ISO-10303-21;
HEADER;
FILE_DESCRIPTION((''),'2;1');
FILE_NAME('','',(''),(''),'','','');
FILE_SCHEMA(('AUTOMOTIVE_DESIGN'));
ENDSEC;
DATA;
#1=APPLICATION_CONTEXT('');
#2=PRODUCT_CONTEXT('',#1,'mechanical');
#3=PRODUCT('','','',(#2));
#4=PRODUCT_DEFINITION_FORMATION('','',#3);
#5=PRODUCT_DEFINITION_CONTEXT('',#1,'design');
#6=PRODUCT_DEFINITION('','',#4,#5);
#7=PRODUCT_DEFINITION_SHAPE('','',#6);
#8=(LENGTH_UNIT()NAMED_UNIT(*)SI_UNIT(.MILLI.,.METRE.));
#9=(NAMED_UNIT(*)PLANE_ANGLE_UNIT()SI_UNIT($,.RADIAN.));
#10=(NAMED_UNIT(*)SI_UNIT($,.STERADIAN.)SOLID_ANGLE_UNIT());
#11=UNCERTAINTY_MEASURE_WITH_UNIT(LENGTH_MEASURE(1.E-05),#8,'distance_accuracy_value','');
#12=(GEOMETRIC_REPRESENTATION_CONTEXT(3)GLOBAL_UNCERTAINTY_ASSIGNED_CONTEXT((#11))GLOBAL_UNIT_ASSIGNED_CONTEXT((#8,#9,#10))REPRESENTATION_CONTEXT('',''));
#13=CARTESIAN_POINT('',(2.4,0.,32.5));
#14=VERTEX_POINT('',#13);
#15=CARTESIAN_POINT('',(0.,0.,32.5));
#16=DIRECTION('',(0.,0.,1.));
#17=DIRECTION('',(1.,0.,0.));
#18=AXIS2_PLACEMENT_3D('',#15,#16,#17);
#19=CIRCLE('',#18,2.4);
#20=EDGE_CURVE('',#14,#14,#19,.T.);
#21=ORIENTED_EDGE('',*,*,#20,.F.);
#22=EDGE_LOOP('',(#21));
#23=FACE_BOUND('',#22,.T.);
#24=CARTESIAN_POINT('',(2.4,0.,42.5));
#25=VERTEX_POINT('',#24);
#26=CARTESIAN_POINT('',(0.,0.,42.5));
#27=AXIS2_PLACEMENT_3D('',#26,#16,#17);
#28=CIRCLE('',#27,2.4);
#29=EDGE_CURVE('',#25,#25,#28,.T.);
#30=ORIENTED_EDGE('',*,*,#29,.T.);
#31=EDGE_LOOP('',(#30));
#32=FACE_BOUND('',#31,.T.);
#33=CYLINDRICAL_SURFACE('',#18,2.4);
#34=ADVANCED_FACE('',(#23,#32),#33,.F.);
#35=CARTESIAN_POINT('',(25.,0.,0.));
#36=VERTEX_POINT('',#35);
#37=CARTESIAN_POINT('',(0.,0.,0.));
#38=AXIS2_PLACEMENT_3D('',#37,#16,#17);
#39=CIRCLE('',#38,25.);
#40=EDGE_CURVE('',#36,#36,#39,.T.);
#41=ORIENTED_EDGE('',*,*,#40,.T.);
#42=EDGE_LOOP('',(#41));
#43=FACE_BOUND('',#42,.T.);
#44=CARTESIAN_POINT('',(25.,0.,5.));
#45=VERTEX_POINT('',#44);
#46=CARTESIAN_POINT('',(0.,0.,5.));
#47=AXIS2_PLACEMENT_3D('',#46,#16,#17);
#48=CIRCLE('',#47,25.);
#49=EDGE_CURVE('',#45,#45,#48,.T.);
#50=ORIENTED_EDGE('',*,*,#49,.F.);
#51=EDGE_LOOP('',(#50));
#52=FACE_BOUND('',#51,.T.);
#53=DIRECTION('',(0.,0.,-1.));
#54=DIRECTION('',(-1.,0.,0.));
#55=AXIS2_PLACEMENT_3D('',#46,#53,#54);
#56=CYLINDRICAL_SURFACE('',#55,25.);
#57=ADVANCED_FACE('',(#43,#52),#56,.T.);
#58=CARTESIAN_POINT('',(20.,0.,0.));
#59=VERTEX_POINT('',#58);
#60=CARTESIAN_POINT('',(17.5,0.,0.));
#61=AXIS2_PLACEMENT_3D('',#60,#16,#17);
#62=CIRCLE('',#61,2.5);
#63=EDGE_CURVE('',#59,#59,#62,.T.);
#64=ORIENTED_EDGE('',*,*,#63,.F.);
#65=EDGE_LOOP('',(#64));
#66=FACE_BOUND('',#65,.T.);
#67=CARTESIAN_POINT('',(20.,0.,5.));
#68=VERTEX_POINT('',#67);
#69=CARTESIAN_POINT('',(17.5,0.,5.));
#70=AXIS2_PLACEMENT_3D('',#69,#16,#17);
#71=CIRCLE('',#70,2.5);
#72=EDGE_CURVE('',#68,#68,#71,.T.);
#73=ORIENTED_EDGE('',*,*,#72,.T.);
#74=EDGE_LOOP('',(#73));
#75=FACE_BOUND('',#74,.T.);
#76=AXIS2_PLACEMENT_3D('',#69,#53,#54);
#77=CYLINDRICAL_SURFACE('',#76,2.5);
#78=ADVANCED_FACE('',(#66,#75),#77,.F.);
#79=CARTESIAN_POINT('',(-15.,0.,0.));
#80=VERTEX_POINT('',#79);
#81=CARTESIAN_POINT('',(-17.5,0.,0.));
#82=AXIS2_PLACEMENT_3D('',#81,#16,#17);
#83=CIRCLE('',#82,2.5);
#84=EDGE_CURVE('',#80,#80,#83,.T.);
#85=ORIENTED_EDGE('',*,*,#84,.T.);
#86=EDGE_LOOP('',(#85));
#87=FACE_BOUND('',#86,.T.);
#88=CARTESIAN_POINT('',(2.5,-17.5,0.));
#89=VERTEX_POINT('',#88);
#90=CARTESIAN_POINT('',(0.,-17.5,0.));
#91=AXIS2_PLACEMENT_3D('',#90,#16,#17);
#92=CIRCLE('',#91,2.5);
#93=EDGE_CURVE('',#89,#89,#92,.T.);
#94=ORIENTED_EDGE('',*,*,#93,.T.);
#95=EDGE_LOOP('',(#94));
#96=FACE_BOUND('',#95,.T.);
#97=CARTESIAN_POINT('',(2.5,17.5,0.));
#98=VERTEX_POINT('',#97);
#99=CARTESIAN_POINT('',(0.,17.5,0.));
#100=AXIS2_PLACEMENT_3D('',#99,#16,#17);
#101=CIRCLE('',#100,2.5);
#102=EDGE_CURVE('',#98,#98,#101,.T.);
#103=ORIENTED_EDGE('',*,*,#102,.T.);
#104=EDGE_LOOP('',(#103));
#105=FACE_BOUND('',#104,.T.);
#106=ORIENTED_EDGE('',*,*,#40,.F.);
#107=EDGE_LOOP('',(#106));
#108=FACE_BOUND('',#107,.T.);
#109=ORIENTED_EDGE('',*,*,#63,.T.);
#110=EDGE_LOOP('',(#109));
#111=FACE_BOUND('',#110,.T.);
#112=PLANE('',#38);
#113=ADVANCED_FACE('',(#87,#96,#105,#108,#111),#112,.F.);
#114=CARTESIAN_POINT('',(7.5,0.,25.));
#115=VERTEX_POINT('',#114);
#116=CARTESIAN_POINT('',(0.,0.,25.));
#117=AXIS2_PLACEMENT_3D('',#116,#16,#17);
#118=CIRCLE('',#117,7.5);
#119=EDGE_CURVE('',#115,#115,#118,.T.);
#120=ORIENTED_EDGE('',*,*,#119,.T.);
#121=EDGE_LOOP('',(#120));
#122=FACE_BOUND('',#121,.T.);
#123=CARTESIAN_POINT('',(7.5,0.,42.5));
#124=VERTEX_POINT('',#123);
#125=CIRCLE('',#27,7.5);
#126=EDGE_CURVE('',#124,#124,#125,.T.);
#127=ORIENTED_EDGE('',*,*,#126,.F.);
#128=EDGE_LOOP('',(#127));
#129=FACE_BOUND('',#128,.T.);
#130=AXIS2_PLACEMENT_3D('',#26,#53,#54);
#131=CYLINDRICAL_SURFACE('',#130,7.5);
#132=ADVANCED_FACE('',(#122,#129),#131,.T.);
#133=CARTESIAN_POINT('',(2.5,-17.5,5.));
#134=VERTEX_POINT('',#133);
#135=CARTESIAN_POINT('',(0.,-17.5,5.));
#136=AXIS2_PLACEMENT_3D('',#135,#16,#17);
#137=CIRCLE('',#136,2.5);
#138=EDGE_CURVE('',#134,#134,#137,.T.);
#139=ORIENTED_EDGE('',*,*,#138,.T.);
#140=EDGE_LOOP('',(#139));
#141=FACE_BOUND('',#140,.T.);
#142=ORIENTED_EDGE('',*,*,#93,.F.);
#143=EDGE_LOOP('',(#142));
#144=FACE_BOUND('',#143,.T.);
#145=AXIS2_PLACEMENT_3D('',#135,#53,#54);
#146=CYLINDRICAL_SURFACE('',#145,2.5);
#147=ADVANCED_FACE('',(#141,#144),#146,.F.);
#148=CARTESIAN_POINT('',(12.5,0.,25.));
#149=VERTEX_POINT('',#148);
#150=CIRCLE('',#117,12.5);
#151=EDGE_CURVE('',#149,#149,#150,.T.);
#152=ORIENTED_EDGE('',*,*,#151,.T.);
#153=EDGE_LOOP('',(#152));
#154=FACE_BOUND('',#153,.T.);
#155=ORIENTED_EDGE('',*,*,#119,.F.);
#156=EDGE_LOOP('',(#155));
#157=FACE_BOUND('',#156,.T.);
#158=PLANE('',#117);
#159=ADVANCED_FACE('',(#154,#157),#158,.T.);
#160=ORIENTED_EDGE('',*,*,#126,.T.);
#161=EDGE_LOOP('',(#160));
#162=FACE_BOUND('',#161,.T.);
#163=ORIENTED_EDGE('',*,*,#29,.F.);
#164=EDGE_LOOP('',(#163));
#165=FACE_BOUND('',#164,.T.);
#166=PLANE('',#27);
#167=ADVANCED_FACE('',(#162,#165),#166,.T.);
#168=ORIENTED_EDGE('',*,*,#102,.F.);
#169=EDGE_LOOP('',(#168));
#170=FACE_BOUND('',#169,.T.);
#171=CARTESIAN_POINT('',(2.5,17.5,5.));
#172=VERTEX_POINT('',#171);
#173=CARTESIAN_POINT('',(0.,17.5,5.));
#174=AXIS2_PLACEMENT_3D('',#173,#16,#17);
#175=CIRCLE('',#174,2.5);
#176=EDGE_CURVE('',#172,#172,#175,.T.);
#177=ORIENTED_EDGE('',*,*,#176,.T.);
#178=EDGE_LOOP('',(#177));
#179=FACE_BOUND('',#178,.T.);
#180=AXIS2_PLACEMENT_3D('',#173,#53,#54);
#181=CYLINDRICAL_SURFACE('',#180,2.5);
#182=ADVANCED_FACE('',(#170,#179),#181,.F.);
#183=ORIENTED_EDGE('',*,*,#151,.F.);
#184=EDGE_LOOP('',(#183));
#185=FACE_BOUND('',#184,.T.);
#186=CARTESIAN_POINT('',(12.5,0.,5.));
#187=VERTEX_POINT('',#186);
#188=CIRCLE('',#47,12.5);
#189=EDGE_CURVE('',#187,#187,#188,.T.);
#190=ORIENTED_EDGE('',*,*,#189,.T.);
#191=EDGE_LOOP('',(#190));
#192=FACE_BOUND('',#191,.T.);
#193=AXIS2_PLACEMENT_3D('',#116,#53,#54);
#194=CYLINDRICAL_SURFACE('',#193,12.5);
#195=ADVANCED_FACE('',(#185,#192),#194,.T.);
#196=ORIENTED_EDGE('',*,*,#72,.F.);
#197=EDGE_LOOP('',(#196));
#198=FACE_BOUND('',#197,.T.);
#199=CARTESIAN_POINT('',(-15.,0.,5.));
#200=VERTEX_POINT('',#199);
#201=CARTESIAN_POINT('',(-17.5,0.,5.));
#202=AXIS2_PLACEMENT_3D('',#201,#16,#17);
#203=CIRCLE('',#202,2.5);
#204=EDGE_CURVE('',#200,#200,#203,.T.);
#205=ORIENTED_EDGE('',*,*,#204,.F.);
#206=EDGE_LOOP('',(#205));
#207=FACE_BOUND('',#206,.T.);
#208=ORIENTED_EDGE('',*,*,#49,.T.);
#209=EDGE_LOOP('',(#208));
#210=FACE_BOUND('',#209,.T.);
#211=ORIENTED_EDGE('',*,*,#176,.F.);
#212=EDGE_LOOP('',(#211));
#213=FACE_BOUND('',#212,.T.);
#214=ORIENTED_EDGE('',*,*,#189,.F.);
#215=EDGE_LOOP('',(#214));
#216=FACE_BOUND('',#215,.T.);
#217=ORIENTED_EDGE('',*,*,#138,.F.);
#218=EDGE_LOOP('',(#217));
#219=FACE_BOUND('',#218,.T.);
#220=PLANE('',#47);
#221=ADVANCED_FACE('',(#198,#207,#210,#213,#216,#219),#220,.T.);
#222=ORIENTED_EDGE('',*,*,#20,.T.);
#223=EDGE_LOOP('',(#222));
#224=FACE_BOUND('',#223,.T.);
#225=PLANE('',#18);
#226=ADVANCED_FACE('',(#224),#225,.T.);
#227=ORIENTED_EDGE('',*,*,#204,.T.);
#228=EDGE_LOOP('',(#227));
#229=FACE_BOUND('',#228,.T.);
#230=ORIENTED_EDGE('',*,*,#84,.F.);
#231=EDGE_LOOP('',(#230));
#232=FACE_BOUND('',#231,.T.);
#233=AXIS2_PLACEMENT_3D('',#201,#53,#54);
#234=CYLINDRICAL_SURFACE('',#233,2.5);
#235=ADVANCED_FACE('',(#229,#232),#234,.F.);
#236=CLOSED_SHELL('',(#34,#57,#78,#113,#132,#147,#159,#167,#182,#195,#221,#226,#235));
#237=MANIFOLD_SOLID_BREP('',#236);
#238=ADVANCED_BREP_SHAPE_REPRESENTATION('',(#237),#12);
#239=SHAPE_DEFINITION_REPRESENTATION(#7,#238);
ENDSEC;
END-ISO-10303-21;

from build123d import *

# Parameters (mm, degrees)
SKETCH1_R           = 25
SKETCH1_R_2         = 2.5
SKETCH1_R_3         = 10
BOSS_EXTRUDE1_DEPTH = 5
SKETCH2_R           = 12.5
BOSS_EXTRUDE2_DEPTH = 20
SKETCH3_R           = 7.5
BOSS_EXTRUDE3_DEPTH = 17.5
SKETCH4_R           = 2.4
CUT_EXTRUDE1_DEPTH  = 10


with BuildPart() as part:
    # Sketch1 → Boss-Extrude1 (new body)
    # profile 1 of 2: a face of its own
    with BuildSketch(Plane.XY):
        Circle(SKETCH1_R)
        with Locations((-17.5, 0)):
            Circle(SKETCH1_R_2, mode=Mode.SUBTRACT)
        with Locations((0, -17.5)):
            Circle(SKETCH1_R_2, mode=Mode.SUBTRACT)
        with Locations((17.5, 0)):
            Circle(SKETCH1_R_2, mode=Mode.SUBTRACT)
        with Locations((0, 17.5)):
            Circle(SKETCH1_R_2, mode=Mode.SUBTRACT)
        Circle(SKETCH1_R_3, mode=Mode.SUBTRACT)
    # profile 2 of 2: a face of its own
    with BuildSketch(Plane.XY):
        Circle(SKETCH1_R_3)
    extrude(amount=BOSS_EXTRUDE1_DEPTH)

    # Sketch2 → Boss-Extrude2 (add)
    with BuildSketch(Plane.XY.offset(5)):
        Circle(SKETCH2_R)
    extrude(amount=BOSS_EXTRUDE2_DEPTH)

    # Sketch3 → Boss-Extrude3 (add)
    with BuildSketch(Plane.XY.offset(25)):
        Circle(SKETCH3_R)
    extrude(amount=BOSS_EXTRUDE3_DEPTH)

    # Sketch4 → Cut-Extrude1 (cut)
    with BuildSketch(Plane.XY.offset(42.5)):
        Circle(SKETCH4_R)
    extrude(amount=-CUT_EXTRUDE1_DEPTH, mode=Mode.SUBTRACT)


solid = part.part
